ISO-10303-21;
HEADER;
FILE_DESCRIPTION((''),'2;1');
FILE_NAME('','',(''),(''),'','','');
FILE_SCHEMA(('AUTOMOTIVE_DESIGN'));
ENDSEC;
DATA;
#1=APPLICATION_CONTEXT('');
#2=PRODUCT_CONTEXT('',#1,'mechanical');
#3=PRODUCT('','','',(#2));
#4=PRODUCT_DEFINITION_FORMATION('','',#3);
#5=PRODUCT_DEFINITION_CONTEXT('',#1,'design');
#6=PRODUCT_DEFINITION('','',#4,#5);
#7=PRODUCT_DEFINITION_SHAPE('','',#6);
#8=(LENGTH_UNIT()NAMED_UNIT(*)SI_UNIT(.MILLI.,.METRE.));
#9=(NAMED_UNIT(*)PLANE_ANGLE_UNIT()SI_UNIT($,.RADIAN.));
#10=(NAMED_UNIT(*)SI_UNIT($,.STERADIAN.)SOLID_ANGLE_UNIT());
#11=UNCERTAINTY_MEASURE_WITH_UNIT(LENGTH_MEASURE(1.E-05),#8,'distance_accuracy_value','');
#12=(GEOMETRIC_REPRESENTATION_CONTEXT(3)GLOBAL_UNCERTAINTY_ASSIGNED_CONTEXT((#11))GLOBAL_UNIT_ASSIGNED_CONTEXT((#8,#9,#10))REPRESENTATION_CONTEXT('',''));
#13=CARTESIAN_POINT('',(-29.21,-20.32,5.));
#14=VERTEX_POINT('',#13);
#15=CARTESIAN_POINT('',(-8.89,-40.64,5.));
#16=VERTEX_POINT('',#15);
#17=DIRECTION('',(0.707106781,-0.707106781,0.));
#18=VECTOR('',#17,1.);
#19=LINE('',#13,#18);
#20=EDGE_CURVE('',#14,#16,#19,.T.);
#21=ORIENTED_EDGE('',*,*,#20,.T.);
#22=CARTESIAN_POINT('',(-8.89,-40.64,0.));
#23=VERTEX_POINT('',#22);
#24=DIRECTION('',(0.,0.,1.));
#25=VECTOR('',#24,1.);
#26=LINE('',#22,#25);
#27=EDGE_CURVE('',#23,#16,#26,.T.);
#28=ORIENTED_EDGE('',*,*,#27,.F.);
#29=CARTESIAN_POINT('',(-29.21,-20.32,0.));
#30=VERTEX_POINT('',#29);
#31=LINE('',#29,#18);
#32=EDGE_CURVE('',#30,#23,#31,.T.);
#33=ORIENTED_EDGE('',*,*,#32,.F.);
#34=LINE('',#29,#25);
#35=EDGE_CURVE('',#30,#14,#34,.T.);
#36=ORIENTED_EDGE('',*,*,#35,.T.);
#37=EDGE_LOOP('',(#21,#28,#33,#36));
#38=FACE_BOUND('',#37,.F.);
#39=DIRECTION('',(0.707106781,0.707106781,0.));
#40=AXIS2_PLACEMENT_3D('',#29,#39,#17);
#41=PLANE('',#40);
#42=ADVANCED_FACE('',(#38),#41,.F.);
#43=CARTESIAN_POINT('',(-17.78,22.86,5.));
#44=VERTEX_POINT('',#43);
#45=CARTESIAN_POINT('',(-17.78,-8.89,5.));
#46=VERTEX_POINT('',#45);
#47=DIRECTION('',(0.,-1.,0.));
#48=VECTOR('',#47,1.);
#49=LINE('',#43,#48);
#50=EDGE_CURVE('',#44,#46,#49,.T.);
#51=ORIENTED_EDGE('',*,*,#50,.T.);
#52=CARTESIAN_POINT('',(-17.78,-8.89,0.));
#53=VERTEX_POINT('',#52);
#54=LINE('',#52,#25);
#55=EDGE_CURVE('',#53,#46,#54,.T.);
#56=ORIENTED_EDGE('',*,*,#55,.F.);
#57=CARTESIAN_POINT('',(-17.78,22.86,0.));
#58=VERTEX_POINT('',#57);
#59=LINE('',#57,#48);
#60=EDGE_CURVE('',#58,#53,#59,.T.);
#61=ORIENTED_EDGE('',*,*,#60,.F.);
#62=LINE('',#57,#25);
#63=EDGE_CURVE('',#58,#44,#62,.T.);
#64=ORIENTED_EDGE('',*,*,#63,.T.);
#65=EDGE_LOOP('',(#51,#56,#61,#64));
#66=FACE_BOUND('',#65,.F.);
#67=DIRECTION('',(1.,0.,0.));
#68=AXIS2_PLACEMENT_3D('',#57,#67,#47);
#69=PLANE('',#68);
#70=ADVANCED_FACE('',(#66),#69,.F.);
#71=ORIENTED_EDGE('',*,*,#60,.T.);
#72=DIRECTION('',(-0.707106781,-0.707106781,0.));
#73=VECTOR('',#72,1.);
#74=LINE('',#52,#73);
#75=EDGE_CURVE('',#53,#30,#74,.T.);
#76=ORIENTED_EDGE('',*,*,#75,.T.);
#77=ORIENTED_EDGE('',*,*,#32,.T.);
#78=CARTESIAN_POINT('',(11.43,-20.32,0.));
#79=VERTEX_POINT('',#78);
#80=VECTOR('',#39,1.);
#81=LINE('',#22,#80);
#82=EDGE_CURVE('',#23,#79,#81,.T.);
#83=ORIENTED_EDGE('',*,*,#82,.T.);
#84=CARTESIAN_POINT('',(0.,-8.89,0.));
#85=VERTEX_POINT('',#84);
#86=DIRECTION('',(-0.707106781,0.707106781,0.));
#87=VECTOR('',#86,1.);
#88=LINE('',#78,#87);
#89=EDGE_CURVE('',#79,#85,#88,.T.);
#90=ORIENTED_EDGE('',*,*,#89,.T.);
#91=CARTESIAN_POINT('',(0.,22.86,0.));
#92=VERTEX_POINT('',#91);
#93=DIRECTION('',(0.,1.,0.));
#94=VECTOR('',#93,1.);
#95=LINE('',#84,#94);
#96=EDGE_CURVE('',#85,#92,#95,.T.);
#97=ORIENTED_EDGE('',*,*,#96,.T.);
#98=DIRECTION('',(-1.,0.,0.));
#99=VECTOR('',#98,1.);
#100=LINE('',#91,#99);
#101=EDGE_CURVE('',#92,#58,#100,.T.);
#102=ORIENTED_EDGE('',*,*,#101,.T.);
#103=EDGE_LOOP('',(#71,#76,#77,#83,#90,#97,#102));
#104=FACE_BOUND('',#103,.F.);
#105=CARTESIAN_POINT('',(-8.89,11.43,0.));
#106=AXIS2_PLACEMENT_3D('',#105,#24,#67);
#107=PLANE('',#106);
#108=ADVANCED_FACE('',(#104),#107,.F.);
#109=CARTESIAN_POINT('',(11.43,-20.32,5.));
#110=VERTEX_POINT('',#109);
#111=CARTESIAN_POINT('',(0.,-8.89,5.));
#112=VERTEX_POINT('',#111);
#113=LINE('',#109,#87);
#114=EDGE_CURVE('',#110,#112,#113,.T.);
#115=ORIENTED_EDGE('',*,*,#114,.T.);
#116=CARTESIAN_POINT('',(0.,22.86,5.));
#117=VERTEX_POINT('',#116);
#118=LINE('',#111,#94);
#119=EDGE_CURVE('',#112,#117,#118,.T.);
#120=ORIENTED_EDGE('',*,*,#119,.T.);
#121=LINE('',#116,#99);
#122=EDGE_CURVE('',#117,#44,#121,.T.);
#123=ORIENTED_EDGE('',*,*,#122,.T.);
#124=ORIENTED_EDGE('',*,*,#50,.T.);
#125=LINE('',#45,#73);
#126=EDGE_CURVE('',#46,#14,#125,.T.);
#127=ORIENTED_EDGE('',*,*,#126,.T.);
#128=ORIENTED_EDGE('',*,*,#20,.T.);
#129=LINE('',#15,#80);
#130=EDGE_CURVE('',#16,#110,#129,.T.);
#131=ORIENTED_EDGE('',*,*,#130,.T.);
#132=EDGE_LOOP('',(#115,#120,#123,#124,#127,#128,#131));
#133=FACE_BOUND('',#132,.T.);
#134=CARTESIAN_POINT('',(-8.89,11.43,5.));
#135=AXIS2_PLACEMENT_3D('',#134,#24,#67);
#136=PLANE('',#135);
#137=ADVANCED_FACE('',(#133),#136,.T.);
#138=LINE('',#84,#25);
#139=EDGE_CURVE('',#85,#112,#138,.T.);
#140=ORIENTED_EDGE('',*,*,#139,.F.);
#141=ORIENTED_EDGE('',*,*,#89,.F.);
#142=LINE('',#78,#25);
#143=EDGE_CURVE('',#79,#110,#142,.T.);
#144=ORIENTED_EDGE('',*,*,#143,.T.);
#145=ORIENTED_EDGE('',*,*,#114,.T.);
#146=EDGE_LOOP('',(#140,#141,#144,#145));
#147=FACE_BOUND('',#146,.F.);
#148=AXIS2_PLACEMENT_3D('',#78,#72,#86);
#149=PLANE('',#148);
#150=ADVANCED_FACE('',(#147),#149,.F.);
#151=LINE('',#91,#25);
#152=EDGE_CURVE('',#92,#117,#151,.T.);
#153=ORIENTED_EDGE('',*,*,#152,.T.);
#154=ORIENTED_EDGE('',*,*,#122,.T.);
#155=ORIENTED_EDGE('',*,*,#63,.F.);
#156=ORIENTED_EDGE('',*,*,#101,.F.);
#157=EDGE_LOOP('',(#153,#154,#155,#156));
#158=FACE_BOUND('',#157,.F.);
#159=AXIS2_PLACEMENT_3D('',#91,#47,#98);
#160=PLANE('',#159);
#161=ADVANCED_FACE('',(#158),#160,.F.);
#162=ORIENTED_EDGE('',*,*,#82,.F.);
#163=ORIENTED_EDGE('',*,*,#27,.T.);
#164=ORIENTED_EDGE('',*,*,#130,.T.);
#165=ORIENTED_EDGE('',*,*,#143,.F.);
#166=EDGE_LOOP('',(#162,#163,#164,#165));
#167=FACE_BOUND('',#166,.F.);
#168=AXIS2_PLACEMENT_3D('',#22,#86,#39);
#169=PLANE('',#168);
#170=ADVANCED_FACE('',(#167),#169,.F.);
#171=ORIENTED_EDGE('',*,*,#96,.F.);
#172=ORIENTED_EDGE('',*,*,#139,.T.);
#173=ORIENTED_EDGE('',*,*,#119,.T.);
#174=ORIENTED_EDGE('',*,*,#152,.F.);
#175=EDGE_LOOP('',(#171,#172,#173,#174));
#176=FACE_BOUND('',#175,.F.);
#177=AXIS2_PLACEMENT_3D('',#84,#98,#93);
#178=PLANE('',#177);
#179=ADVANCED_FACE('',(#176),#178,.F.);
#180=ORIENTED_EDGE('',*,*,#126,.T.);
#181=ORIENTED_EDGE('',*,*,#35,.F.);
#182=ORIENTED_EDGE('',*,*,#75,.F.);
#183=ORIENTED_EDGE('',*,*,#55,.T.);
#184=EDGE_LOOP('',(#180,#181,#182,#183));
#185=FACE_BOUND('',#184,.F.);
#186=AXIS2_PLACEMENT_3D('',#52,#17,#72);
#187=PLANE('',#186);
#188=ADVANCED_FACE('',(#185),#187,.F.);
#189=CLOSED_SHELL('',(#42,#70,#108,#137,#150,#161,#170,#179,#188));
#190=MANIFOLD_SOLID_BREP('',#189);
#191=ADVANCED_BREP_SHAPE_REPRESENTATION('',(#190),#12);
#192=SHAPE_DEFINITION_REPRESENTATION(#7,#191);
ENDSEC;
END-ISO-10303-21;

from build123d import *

# Parameters (mm, degrees)
F1_DEPTH = 5


with BuildPart() as f1:
    # F0 (on Top) → F1 (new body)
    with BuildSketch(Plane.XY):
        Polygon((0, 22.86), (-17.78, 22.86), (-17.78, 0), (-8.89, 0), (0, 0), align=None)
        Polygon((0, -8.89), (0, 0), (-8.89, 0), align=None)
        Polygon((-8.89, 0), (-17.78, 0), (-17.78, -8.89), align=None)
        Polygon((0, -8.89), (-8.89, 0), (-17.78, -8.89), (-29.21, -20.32), (-8.89, -40.64), (11.43, -20.32), align=None)
    extrude(amount=F1_DEPTH)


solid = f1.part
